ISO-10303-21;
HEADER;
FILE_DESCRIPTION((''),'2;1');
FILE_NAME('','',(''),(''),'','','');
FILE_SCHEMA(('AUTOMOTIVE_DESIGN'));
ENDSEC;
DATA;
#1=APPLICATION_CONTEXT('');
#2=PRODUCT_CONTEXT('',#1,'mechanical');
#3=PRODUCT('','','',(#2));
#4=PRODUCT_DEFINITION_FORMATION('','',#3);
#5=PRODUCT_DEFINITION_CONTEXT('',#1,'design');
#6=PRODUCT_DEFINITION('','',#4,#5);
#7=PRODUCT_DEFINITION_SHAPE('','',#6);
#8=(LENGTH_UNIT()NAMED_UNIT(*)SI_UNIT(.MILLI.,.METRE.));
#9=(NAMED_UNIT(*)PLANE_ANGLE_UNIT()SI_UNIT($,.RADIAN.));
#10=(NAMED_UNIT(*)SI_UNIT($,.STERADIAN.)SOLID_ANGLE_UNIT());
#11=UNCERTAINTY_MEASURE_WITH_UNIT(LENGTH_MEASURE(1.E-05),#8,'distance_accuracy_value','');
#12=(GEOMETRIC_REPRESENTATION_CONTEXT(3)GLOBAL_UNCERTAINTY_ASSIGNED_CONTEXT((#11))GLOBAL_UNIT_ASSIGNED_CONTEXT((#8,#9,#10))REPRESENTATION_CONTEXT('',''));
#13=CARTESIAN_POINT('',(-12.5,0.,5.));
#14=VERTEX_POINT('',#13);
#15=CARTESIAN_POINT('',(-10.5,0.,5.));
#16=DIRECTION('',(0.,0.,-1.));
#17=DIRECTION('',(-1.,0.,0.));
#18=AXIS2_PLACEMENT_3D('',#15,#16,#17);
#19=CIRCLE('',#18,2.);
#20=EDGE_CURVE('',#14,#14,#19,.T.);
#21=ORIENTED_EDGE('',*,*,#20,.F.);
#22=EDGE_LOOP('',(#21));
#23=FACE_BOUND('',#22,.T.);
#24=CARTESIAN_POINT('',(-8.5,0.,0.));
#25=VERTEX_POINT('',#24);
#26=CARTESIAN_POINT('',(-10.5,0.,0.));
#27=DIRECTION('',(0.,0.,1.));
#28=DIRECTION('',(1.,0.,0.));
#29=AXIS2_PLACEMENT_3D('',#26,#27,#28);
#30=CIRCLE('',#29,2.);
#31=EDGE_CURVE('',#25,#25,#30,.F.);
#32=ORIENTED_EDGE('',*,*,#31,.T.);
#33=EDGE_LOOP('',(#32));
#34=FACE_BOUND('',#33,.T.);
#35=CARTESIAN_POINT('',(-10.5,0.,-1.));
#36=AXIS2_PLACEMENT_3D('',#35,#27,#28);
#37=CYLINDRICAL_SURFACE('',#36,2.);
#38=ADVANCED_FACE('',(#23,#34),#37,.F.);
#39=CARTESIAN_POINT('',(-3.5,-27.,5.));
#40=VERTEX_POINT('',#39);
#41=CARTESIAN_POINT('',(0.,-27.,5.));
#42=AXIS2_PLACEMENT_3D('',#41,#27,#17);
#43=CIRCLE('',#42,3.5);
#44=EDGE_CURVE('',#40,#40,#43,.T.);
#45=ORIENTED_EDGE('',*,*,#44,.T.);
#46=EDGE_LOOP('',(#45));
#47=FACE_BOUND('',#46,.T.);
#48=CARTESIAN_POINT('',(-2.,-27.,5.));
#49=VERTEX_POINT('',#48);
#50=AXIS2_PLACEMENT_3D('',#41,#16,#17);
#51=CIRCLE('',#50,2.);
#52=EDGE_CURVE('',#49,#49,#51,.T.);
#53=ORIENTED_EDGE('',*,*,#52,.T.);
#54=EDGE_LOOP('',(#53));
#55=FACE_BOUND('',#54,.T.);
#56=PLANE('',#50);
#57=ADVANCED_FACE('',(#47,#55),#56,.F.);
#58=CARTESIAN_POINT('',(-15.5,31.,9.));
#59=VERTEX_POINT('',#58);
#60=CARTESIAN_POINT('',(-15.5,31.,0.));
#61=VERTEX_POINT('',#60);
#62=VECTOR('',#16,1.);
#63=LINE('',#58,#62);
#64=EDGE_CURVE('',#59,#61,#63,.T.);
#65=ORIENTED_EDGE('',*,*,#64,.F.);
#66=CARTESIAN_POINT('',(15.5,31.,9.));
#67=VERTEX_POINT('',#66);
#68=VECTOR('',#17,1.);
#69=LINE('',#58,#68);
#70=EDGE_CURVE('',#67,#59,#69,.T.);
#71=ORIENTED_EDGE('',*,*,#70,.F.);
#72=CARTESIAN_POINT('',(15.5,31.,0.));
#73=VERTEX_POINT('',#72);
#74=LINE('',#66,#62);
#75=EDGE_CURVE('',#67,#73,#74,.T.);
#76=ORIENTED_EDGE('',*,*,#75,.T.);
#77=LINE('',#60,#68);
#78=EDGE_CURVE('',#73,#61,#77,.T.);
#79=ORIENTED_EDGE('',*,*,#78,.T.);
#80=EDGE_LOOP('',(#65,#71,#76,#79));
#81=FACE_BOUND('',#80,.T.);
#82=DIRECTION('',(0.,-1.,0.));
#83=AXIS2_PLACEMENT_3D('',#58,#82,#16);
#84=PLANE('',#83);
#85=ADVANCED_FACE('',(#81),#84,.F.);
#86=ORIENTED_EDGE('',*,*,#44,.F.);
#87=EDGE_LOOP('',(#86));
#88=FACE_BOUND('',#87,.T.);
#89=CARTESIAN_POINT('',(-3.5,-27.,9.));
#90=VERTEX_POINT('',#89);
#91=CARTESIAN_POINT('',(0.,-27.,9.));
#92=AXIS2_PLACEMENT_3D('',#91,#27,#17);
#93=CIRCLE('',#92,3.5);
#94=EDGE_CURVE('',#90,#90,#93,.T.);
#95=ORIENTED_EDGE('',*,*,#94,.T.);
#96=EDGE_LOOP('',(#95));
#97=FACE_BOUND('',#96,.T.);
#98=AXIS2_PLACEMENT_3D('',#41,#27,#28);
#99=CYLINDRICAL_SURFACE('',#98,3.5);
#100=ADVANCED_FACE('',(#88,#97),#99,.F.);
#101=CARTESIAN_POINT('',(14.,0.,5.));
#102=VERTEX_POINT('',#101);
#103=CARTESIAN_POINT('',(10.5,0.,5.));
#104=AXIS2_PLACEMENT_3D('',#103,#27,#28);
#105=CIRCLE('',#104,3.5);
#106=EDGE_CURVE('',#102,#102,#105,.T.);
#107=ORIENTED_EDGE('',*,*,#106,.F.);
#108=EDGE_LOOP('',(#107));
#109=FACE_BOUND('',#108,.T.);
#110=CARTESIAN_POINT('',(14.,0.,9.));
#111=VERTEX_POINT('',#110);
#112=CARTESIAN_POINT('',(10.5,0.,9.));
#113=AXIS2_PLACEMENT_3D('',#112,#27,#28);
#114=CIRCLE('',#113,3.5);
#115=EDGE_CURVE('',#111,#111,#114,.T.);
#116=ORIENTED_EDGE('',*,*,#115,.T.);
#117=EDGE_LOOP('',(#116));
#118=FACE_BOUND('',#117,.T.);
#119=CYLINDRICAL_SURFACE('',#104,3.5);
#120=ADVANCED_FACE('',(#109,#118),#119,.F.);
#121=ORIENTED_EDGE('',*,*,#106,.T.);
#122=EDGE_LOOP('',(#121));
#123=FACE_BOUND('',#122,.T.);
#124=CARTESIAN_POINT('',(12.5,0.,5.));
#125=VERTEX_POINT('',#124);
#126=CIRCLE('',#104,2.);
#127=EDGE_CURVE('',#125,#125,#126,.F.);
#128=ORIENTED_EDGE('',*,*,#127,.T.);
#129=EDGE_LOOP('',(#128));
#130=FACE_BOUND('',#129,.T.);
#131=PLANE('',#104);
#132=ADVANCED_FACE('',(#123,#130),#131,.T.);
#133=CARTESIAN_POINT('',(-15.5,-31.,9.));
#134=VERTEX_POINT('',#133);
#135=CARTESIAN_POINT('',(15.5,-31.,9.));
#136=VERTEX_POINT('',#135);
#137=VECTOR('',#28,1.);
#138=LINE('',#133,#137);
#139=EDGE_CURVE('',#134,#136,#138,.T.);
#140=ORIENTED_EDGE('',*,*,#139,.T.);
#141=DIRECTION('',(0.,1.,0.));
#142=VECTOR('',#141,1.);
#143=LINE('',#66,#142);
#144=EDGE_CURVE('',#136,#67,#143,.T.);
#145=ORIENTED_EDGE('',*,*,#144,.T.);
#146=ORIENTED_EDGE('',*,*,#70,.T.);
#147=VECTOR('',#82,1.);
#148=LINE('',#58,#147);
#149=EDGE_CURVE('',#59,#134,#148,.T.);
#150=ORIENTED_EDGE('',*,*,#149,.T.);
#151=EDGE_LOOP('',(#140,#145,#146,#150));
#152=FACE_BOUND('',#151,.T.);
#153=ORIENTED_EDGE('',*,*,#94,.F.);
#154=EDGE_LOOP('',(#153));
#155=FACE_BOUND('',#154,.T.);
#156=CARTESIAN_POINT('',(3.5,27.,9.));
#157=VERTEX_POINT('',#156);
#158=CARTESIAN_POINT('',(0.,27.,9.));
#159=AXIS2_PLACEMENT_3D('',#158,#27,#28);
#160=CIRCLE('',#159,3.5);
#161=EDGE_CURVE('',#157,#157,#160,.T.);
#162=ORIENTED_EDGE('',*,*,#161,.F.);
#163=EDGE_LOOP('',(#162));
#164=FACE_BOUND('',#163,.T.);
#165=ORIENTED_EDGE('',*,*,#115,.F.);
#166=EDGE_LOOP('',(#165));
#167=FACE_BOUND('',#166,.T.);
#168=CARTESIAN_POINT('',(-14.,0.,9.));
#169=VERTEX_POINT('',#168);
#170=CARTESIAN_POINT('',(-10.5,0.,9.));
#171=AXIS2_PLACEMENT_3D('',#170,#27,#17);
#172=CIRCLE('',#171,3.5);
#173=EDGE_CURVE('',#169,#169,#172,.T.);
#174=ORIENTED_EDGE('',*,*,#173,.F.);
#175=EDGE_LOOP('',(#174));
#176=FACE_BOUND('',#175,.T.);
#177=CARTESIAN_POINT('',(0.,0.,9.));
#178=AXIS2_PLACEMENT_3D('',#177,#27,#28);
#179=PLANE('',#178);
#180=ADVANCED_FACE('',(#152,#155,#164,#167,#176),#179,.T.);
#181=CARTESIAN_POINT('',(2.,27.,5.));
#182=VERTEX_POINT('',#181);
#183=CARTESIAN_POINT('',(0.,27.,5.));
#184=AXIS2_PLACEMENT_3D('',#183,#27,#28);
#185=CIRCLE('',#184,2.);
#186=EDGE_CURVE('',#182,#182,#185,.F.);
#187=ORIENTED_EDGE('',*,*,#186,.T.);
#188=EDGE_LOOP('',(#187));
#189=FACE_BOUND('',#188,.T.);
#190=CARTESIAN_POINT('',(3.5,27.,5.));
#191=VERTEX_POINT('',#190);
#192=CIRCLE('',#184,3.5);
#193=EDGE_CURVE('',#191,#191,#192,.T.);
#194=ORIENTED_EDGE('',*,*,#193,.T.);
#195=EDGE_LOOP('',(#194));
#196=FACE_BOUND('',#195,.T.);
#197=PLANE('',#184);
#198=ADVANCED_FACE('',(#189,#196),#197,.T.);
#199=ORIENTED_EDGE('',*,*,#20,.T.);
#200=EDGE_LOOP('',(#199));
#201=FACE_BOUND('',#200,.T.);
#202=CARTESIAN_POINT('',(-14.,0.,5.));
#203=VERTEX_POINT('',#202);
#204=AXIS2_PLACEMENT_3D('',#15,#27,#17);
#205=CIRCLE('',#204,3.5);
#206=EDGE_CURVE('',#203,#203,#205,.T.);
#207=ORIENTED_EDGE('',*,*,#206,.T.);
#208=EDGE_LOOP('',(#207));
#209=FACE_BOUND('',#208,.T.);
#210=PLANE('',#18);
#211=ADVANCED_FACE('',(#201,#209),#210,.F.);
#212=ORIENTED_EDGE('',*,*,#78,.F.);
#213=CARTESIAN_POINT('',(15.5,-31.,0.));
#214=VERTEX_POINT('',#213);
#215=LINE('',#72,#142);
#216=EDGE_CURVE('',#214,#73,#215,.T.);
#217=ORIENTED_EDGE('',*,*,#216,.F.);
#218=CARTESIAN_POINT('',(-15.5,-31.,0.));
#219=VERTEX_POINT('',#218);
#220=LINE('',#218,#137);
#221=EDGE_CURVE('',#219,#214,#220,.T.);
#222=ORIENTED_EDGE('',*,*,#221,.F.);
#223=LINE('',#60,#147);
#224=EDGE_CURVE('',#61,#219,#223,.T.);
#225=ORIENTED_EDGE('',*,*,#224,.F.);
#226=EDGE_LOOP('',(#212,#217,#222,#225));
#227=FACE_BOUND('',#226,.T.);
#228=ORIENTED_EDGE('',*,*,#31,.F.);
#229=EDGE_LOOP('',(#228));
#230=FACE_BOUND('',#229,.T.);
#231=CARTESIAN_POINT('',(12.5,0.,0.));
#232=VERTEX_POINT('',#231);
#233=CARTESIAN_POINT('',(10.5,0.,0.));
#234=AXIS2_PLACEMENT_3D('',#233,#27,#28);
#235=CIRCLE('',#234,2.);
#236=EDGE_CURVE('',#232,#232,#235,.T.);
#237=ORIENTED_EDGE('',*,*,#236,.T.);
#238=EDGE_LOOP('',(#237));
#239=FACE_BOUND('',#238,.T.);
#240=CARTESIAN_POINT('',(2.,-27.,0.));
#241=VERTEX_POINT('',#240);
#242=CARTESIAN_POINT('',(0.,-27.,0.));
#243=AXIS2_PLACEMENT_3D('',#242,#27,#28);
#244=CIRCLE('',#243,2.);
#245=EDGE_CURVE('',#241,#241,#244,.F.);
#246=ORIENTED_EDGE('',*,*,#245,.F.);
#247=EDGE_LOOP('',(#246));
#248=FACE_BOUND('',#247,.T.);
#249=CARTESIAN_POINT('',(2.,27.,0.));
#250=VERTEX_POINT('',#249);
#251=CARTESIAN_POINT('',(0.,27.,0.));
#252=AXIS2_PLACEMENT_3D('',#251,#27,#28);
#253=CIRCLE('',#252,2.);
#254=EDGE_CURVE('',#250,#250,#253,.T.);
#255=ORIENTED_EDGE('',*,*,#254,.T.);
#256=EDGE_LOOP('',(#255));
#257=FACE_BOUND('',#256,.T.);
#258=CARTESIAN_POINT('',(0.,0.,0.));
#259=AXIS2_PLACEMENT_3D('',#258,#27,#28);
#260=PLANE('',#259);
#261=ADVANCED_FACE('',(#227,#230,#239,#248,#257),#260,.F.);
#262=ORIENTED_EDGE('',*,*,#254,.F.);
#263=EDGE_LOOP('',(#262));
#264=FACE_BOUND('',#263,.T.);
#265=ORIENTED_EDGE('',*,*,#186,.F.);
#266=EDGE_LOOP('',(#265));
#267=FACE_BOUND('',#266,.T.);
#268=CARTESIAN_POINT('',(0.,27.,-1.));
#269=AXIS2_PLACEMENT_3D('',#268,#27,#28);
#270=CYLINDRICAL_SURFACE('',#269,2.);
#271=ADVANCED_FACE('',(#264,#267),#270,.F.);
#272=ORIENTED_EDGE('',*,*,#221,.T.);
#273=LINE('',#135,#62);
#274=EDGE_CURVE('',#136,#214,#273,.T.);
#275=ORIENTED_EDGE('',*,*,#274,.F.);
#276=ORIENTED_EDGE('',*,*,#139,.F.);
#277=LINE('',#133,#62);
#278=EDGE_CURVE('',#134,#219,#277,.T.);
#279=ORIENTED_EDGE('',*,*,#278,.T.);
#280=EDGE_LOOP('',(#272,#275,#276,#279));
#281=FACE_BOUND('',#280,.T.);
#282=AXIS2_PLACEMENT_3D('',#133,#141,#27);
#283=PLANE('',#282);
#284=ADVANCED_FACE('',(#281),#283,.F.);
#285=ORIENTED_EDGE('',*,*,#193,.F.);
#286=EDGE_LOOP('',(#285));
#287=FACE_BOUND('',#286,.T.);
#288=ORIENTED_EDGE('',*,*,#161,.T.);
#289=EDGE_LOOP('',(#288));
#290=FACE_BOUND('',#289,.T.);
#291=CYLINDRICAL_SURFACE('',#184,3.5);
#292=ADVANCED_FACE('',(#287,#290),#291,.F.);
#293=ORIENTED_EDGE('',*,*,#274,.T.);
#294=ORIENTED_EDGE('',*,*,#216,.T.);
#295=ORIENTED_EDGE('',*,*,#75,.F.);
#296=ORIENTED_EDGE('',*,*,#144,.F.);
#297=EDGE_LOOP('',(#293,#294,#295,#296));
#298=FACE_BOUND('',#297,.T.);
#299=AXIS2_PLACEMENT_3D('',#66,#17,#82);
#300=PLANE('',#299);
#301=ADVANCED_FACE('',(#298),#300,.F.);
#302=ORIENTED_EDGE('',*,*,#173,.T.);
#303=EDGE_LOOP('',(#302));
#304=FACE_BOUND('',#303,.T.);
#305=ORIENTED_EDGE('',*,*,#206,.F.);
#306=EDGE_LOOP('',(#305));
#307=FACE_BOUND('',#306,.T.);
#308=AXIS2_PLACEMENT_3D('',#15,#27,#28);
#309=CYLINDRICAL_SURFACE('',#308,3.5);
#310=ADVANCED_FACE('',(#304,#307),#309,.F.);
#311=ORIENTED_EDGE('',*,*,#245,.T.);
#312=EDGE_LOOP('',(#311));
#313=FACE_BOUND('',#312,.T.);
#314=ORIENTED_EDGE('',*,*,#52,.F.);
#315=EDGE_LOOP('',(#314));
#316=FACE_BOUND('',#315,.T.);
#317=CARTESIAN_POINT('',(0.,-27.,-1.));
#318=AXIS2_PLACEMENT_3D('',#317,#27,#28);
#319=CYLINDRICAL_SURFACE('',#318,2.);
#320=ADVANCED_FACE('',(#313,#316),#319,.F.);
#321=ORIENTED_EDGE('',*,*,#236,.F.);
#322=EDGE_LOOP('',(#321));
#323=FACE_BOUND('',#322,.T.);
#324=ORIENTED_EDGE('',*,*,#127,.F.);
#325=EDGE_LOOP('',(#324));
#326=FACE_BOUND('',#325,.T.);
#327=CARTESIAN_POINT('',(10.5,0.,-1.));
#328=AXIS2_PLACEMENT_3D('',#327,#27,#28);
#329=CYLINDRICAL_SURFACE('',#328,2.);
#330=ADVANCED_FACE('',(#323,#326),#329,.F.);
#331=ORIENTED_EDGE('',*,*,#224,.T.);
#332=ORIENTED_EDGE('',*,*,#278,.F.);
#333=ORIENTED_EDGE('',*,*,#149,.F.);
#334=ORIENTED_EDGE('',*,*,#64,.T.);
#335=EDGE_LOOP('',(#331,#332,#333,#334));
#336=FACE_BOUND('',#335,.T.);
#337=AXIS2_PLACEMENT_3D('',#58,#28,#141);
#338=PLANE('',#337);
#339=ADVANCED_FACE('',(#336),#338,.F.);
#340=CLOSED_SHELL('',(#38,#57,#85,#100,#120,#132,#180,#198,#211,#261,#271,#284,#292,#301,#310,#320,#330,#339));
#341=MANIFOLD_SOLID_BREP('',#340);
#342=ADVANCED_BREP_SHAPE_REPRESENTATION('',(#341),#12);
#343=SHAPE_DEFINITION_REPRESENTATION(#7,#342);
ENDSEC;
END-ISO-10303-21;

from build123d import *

# Parameters (mm, degrees)
SKETCH1_W           = 31
SKETCH1_H           = 62
BOSS_EXTRUDE1_DEPTH = 9
SKETCH2_R           = 2
CUT_EXTRUDE1_DEPTH  = 10
SKETCH3_R           = 3.5
CUT_EXTRUDE2_DEPTH  = 4


with BuildPart() as part:
    # Sketch1 → Boss-Extrude1 (new body)
    with BuildSketch(Plane.XY):
        Rectangle(SKETCH1_W, SKETCH1_H)
    extrude(amount=BOSS_EXTRUDE1_DEPTH)

    # Sketch2 → Cut-Extrude1 (cut)
    with BuildSketch(Plane.XY.offset(9)):
        with Locations((0, 27)):
            Circle(SKETCH2_R)
        with Locations((0, -27)):
            Circle(SKETCH2_R)
        with Locations((10.5, 0)):
            Circle(SKETCH2_R)
        with Locations((-10.5, 0)):
            Circle(SKETCH2_R)
    extrude(amount=-CUT_EXTRUDE1_DEPTH, mode=Mode.SUBTRACT)

    # Sketch3 → Cut-Extrude2 (cut)
    with BuildSketch(Plane.XY.offset(9)):
        with Locations((0, 27)):
            Circle(SKETCH3_R)
        with Locations((10.5, 0)):
            Circle(SKETCH3_R)
        with Locations(Location((-10.5, 0, 0), (0, 0, 180))):
            Circle(SKETCH3_R)
        with Locations(Location((0, -27, 0), (0, 0, 180))):
            Circle(SKETCH3_R)
    extrude(amount=-CUT_EXTRUDE2_DEPTH, mode=Mode.SUBTRACT)


solid = part.part
